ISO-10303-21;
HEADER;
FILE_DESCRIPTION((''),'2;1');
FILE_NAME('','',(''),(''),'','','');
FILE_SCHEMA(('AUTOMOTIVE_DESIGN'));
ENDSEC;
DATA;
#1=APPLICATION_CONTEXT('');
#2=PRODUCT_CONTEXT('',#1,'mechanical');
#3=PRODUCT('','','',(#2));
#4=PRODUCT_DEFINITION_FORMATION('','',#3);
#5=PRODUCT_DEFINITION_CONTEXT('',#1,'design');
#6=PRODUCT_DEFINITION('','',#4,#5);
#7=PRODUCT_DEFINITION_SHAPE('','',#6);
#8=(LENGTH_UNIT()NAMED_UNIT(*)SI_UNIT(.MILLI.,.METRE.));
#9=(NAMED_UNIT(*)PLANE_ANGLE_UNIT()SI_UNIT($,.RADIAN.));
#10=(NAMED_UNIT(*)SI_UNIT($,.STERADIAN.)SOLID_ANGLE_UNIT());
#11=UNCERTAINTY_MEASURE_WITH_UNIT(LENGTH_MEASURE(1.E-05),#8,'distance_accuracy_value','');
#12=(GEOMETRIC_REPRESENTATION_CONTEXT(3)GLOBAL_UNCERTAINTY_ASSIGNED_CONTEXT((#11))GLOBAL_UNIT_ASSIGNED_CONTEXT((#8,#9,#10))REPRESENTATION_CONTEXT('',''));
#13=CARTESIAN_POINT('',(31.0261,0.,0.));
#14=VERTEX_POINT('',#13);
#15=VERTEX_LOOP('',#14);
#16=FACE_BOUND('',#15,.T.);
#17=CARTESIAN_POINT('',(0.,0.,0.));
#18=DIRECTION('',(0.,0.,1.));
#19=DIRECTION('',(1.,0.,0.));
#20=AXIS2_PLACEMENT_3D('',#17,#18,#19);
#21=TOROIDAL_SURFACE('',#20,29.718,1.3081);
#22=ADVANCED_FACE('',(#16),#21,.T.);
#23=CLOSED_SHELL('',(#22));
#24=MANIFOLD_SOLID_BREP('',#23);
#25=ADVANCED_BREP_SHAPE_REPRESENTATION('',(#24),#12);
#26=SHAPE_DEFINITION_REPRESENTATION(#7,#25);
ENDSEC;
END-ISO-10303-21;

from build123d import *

# Parameters (mm, degrees)
SKETCH1_R = 1.3081


with BuildPart() as part:
    # Sketch1 → Revolve1 (revolve)
    with BuildSketch(Plane(origin=(0, 0, 0), x_dir=(0, -1, 0), z_dir=(1, 0, 0))):
        with Locations((29.718, 0)):
            Circle(SKETCH1_R)
    revolve(axis=Axis((0, 0, 1.3081), (0, 0, -1)))


solid = part.part
